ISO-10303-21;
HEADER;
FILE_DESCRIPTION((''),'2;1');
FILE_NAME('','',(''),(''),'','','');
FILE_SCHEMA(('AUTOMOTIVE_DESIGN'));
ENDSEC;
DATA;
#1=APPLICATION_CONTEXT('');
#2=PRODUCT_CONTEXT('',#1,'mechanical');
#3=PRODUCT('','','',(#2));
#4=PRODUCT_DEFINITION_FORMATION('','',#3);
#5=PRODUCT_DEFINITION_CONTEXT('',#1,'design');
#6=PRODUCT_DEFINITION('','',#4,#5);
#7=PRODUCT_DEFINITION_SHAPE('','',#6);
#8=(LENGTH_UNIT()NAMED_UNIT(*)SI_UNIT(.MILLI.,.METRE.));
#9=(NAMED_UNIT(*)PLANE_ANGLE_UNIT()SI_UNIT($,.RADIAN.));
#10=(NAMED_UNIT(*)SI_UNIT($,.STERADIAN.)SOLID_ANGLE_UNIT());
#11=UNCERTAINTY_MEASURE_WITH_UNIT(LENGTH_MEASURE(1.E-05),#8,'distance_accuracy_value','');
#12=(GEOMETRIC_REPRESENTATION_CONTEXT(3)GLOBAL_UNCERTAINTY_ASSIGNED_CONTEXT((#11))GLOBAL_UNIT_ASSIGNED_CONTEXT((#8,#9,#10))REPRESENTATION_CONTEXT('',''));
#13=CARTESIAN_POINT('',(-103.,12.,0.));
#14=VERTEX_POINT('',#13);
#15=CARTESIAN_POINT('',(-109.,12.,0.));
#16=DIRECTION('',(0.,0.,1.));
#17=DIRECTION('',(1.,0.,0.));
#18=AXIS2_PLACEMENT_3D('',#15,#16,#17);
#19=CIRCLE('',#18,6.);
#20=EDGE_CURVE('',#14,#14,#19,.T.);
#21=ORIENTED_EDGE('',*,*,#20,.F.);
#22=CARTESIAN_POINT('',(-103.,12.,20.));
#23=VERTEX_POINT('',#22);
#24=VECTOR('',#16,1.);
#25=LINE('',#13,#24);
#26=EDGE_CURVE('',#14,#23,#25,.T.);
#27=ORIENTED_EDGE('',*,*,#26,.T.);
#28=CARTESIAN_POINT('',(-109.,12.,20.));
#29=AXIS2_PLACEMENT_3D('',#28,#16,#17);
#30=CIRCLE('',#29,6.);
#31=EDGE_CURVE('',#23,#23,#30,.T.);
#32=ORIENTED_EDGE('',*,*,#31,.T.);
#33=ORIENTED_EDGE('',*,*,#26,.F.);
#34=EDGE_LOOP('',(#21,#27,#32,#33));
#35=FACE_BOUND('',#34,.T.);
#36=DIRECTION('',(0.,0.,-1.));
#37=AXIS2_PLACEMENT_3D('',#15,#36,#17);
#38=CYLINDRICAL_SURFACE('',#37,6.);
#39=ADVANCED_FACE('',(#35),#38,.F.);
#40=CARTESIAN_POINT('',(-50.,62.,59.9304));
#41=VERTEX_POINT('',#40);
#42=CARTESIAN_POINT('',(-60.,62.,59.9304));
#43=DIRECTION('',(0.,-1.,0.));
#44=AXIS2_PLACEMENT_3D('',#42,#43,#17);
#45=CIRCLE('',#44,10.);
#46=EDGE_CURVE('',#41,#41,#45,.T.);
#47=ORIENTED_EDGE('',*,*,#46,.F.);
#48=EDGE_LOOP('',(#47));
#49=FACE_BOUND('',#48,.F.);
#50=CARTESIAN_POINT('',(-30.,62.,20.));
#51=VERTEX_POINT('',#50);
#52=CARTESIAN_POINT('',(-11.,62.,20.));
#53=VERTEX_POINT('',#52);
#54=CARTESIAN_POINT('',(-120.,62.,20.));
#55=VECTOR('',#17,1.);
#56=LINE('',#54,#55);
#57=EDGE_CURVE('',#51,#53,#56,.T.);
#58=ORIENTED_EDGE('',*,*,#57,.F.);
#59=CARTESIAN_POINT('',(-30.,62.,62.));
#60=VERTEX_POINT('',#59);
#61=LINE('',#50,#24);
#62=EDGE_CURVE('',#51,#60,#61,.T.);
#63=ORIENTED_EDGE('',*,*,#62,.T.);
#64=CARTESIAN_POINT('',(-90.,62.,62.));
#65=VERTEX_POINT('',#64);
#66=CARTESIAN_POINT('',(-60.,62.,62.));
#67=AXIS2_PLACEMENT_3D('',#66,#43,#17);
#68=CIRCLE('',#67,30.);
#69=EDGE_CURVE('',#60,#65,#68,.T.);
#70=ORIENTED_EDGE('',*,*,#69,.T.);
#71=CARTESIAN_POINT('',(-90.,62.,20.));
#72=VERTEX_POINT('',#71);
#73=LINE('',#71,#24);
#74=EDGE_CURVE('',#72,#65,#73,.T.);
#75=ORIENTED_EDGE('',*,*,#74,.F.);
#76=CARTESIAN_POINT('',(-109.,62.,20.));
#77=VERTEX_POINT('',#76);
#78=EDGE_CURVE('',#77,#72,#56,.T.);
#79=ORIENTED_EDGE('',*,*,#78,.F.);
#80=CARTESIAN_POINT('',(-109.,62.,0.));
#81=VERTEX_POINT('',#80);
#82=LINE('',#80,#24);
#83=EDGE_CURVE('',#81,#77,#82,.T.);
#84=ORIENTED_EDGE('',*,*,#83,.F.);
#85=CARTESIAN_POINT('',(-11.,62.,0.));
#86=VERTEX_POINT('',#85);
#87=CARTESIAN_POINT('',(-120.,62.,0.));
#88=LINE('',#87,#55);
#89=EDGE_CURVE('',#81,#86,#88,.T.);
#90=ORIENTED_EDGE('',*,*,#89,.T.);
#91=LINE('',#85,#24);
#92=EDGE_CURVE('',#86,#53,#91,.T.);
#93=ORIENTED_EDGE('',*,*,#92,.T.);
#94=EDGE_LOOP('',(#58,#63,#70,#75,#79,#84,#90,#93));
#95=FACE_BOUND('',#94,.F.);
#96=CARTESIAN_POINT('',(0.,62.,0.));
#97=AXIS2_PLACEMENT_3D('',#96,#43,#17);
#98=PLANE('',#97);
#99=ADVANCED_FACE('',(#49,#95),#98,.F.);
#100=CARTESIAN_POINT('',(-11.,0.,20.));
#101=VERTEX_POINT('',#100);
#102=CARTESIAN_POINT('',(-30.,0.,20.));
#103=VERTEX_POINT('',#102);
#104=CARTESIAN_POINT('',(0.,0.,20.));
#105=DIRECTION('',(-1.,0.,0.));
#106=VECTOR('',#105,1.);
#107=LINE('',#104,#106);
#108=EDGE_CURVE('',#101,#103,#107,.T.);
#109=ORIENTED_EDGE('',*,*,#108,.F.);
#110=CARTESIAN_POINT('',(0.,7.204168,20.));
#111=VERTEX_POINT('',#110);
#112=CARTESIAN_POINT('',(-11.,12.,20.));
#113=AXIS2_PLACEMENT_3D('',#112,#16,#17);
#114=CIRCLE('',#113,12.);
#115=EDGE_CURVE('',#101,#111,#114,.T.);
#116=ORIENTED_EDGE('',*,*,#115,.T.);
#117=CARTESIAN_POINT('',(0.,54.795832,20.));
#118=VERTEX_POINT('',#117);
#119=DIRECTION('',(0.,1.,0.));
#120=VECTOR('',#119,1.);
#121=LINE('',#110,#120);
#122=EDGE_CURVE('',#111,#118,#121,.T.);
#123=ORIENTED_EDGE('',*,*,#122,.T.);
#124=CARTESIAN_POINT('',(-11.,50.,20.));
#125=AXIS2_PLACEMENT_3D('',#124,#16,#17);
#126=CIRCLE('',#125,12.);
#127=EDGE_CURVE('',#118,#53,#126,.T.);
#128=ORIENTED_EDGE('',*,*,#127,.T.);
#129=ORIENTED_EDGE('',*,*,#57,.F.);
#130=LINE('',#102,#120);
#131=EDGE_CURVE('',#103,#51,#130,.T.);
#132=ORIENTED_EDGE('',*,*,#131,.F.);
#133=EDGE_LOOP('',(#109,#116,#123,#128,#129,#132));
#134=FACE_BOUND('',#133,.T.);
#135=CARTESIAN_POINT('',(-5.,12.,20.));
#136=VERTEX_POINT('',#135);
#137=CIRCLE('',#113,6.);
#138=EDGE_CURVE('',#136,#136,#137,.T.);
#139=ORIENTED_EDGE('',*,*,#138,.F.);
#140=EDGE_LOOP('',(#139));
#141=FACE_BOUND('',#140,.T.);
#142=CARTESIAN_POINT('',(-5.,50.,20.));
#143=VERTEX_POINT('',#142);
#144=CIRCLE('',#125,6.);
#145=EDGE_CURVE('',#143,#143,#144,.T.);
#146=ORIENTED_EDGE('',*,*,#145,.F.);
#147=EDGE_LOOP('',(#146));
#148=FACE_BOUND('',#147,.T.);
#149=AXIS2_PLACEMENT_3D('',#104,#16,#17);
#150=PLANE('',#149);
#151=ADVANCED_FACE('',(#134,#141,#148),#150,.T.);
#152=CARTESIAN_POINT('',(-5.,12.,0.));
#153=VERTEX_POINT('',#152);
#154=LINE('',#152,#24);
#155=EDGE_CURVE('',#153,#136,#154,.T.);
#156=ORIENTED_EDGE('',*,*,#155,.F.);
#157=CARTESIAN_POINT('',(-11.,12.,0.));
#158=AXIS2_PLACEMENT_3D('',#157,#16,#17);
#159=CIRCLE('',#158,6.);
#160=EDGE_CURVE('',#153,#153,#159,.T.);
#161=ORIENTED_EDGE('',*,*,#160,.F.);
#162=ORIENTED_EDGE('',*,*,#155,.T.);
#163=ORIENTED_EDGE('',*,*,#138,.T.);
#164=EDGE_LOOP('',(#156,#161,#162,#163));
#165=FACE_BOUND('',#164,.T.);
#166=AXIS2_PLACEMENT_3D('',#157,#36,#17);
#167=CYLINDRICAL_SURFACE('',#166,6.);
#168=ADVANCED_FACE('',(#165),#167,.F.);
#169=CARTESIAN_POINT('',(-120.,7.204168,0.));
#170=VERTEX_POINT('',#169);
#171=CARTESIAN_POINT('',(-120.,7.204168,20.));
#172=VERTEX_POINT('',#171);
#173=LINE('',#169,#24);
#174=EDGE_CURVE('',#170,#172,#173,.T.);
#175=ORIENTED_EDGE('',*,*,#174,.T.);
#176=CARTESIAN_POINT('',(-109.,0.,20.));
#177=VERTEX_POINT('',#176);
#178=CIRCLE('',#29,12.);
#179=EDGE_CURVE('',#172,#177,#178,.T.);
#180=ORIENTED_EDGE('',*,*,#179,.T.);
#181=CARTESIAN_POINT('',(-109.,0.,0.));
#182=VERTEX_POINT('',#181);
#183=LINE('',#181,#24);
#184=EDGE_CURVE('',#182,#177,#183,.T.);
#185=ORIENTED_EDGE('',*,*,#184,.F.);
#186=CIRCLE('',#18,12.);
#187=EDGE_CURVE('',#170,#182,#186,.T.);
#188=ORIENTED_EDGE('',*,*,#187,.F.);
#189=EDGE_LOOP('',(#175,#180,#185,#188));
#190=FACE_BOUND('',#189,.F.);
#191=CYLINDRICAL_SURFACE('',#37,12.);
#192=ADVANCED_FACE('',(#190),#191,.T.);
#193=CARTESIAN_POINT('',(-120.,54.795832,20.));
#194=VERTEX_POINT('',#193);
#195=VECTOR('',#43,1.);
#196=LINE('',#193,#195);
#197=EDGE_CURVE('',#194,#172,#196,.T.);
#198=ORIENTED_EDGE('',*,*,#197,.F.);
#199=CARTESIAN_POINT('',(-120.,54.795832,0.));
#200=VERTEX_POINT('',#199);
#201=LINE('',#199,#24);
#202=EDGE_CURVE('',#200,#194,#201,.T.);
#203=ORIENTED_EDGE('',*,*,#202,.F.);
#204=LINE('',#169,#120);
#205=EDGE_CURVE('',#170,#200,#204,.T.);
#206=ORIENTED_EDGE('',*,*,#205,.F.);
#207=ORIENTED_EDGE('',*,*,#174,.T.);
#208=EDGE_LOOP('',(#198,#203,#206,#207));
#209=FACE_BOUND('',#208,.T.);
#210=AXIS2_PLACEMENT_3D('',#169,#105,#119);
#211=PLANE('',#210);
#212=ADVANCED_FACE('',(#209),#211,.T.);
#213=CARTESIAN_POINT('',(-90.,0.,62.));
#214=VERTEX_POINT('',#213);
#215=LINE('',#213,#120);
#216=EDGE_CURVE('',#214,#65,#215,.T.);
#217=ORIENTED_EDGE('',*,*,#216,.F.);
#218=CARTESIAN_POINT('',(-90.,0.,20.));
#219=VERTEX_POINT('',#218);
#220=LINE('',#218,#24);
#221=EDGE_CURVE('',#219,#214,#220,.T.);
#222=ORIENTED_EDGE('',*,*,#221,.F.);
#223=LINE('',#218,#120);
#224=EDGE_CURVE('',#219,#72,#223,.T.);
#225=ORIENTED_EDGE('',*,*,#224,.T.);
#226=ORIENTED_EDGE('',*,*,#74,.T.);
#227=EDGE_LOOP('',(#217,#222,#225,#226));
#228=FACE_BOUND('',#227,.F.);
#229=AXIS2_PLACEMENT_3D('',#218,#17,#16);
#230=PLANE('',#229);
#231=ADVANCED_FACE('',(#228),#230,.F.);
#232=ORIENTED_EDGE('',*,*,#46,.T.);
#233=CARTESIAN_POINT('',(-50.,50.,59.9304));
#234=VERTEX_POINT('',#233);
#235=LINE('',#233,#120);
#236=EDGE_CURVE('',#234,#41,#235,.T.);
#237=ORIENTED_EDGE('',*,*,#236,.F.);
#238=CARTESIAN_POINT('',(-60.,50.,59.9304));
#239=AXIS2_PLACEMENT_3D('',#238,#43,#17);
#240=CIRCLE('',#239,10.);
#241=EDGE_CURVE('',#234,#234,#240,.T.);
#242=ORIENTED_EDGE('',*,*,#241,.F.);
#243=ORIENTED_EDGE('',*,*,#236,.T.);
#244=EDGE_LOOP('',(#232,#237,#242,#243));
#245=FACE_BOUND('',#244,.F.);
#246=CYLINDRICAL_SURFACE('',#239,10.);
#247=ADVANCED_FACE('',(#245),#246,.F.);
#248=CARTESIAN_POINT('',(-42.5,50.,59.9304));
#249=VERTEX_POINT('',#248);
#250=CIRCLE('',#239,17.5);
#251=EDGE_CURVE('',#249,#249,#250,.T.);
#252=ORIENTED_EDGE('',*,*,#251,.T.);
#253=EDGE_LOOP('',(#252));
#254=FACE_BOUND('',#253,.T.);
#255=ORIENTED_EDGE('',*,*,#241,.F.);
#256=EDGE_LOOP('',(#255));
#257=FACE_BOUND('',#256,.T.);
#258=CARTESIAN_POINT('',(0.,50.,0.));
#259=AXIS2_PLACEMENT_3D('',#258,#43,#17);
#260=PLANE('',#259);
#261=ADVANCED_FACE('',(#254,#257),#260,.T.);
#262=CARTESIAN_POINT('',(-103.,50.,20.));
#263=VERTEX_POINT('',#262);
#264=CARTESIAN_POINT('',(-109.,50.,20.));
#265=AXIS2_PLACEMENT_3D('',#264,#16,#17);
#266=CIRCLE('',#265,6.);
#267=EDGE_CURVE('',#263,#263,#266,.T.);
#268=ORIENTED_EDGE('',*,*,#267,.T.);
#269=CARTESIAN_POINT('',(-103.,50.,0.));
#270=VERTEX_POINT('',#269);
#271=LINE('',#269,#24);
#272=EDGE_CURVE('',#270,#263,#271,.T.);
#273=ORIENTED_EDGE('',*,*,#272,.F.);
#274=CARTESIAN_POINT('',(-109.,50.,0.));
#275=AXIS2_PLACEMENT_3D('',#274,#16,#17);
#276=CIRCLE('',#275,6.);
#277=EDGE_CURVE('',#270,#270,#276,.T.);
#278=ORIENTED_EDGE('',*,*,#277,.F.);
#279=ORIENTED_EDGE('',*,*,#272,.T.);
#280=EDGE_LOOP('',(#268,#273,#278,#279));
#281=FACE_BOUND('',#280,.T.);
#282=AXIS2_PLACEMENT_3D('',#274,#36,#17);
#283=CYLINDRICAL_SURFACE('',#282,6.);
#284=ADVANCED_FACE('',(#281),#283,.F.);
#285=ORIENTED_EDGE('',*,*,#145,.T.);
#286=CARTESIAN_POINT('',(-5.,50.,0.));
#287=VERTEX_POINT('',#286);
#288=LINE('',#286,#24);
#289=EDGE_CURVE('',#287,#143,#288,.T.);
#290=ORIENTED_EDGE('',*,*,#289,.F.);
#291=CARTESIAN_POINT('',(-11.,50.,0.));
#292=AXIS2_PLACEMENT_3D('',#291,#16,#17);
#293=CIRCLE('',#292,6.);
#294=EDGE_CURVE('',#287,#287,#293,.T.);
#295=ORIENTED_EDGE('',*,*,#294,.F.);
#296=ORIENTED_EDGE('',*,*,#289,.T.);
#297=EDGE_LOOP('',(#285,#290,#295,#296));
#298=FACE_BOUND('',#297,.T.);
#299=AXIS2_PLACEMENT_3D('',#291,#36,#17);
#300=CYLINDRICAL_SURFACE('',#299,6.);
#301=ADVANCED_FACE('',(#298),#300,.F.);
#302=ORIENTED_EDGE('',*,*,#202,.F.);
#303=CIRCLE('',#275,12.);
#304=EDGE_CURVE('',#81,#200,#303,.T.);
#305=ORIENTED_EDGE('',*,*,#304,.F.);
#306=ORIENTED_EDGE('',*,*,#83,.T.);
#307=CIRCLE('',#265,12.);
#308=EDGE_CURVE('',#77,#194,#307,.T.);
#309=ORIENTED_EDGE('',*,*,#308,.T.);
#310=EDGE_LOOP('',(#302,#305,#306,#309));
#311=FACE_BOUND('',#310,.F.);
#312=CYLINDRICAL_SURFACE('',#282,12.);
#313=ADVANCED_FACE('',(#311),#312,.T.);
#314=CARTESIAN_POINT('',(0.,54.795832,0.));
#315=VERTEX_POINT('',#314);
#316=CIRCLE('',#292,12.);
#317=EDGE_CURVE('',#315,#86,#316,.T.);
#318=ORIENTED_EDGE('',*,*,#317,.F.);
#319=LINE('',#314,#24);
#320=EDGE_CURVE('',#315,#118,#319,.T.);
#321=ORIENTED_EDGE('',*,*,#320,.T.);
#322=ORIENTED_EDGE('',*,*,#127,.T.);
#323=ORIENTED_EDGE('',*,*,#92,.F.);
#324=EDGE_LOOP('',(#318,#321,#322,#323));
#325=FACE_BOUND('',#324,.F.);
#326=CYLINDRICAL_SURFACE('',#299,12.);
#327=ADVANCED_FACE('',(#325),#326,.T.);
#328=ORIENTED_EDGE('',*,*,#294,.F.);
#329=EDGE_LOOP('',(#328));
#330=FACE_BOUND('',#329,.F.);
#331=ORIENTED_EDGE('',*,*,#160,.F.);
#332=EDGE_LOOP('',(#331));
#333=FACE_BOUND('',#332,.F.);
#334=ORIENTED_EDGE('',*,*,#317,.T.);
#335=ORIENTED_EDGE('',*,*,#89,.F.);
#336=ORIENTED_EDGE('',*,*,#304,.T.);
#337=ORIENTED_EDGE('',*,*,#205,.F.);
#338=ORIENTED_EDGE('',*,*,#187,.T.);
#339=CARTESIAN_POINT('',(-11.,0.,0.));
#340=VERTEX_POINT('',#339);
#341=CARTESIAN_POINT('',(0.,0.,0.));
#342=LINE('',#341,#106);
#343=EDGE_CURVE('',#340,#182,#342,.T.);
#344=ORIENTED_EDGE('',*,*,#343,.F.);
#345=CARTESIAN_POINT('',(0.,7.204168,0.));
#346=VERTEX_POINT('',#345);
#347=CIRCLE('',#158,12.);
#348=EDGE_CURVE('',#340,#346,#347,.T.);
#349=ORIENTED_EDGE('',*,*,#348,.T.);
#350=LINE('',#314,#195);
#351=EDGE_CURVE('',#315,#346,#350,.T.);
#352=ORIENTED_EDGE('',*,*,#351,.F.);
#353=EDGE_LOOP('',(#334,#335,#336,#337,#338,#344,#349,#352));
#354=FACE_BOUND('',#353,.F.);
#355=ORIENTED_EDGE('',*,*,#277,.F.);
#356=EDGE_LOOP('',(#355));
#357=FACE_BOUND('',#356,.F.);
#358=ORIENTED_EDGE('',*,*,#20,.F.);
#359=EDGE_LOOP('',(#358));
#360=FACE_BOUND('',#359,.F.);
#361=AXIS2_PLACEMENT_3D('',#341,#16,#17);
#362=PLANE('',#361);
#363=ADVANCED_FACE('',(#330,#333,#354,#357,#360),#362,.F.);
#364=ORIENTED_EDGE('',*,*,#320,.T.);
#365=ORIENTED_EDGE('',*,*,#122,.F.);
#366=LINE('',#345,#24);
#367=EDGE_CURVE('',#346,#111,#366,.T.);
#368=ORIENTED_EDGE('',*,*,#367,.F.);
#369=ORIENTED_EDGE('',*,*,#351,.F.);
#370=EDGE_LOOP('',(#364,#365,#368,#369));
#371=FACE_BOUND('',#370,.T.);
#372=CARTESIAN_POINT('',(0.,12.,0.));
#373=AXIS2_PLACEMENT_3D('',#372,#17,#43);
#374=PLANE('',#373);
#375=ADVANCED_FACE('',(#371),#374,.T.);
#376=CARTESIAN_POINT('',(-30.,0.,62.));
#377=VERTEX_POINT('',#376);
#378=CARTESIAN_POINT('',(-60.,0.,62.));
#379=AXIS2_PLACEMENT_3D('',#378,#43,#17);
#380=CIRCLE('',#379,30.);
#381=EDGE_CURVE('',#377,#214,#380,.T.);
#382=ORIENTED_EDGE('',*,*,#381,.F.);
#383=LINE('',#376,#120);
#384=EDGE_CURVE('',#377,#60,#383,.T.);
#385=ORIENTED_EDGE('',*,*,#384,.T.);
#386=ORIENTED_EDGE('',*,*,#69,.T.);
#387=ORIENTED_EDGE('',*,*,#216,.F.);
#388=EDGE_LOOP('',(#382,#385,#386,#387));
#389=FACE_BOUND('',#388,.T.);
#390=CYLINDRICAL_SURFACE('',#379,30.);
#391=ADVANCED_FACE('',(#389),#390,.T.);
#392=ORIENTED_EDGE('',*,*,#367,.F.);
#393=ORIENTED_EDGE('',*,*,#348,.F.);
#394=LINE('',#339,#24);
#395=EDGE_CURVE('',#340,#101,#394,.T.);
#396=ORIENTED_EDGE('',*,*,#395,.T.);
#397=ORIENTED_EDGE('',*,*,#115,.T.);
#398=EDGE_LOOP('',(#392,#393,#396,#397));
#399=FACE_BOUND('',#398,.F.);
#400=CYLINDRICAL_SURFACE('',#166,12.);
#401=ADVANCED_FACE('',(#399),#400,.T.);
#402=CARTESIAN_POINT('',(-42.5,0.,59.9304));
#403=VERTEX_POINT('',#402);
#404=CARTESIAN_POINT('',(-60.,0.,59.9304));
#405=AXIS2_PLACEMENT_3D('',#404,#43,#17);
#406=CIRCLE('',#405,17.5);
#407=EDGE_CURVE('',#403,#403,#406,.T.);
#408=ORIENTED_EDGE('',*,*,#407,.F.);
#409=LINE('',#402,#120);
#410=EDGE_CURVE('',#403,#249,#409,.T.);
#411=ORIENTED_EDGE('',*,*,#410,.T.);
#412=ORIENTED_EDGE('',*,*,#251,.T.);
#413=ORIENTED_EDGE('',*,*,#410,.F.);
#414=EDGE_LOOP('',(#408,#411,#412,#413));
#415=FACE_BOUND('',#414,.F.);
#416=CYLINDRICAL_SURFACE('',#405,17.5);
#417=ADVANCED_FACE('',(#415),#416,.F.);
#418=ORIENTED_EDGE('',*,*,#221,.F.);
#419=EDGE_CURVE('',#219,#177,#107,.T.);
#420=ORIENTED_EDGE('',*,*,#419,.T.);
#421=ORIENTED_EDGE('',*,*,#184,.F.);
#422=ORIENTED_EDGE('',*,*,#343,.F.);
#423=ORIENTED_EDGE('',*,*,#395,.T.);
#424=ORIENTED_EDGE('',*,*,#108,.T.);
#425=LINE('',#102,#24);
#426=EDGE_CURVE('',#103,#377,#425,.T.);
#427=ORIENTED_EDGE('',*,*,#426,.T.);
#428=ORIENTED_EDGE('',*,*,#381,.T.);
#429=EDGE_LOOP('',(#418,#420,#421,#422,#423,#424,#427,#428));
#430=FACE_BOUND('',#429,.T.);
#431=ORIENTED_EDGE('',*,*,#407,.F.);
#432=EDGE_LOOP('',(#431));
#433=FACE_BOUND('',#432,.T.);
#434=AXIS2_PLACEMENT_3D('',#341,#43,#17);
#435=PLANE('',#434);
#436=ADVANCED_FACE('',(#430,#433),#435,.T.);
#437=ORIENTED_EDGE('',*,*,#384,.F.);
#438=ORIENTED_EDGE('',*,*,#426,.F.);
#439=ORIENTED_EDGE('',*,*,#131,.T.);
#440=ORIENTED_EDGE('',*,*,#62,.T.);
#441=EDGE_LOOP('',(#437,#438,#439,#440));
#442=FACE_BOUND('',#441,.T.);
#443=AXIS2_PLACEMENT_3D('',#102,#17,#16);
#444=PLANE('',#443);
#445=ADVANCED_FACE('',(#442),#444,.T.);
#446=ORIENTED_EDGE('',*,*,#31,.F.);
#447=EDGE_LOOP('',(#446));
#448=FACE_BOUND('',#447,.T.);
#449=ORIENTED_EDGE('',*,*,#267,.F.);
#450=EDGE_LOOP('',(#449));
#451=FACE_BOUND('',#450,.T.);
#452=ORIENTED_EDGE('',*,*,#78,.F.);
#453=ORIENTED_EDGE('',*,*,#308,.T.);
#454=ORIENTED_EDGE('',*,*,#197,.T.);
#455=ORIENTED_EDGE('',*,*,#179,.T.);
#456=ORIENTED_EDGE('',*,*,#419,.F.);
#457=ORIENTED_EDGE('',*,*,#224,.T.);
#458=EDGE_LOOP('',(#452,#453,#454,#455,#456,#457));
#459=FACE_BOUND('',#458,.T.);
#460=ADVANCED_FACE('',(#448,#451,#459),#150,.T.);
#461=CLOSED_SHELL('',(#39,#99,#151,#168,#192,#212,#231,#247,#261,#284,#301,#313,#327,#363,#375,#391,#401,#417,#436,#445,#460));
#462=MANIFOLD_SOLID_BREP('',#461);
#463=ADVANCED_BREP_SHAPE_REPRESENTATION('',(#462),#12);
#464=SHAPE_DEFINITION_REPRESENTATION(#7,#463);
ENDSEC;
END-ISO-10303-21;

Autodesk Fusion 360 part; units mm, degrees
sketch "Sketch1" plane through (0, 0, 0) normal (0, 0, 1) x (1, 0, 0)
  line L0 (0, 0) -> (-120, 0)
  line L1 (-120, 0) -> (-120, 62)
  line L2 (-120, 62) -> (0, 62)
  line L3 (0, 62) -> (0, 0)
  line L4 (-120, 0) -> (-109, 0)
  line L5 (-120, 62) -> (-109, 62)
  line L6 (0, 62) -> (-11, 62)
  line L7 (0, 0) -> (-11, 0)
  line L8 (-120, 62) -> (-120, 50)
  line L9 (-120, 0) -> (-120, 12)
  line L10 (0, 62) -> (0, 50)
  line L11 (0, 0) -> (0, 12)
  circle A0 centre (-109, 12) radius 6
  circle A1 centre (-109, 12) radius 12
  circle A2 centre (-109, 50) radius 6
  circle A3 centre (-109, 50) radius 12
  circle A4 centre (-11, 50) radius 6
  line L12 (-11, 50) -> (-11, 50.4247)
  circle A5 centre (-11, 50) radius 12
  circle A6 centre (-11, 12) radius 6
  circle A7 centre (-11, 12) radius 12
  dimension "d1" = 120
  dimension "d2" = 62
  dimension "d3" = 11
  dimension "d4" = 11
  dimension "d5" = 11
  dimension "d6" = 11
  dimension "d7" = 12
  dimension "d8" = 12
  dimension "d9" = 12
  dimension "d10" = 12
  dimension "d11" = 12
  dimension "d12" = 24
  dimension "d13" = 12
  dimension "d14" = 24
  dimension "d15" = 12
  dimension "d16" = 24
  dimension "d17" = 12
  dimension "d18" = 24
extrude "Extrude1" add sketch "Sketch1" along normal blind 20 contours L0 L1 L2 L3 A1 A3 A5 A7 | L3 L11 A7 | L1 L9 A1 | L3 L10 A5 | L1 L8 A3 picked at (-1.7555, 9.8119) picked at (-118.2445, 14.1881) picked at (-1.7555, 52.1881) picked at (-118.2445, 47.8119)
sketch "Sketch2" plane through (0, 0, 0) normal (0, -1, 0) x (1, 0, 0)
  line L0 (-109, 0) -> (-11, 0)
  line L1 (-11, 0) -> (-11, 20)
  line L2 (-11, 20) -> (-109, 20)
  line L3 (-109, 20) -> (-109, 0)
  line L4 (-109, 20) -> (-11, 20)
  line L5 (-60, 20) -> (-90, 20)
  line L6 (-60, 20) -> (-30, 20)
  line L7 (-90, 20) -> (-90, 62)
  line L8 (-30, 20) -> (-30, 62)
  line L9 (-90, 62) -> (-30, 62)
  dimension "d21" = 30
  dimension "d22" = 30
  dimension "d23" = 42
  dimension "d24" = 42
extrude "Extrude2" add sketch "Sketch2" against normal blind 62 contours L2 L4 L5 L6 L7 L8 L9
sketch "Sketch3" plane through (0, 0, 0) normal (0, -1, 0) x (1, 0, 0)
  line L0 (-109, 0) -> (-11, 0)
  line L1 (-11, 0) -> (-11, 20)
  line L2 (-11, 20) -> (-30, 20)
  line L3 (-30, 20) -> (-30, 62)
  line L4 (-30, 62) -> (-90, 62)
  line L5 (-90, 62) -> (-90, 20)
  line L6 (-90, 20) -> (-109, 20)
  line L7 (-109, 20) -> (-109, 0)
  circle A0 centre (-60, 62) radius 30
  line L8 (-90, 62) -> (-30, 62)
extrude "Extrude3" add sketch "Sketch3" against normal blind 62 contours L4 A0 L8 picked at (-62.2252, 71.7493)
sketch "Sketch4" plane through (0, 0, 0) normal (0, -1, 0) x (1, 0, 0)
  line L0 (-109, 0) -> (-11, 0)
  line L1 (-11, 0) -> (-11, 20)
  line L2 (-11, 20) -> (-30, 20)
  line L3 (-30, 20) -> (-30, 62)
  arc A0 (-30, 62) -> (-90, 62) centre (-60, 62) ccw
  line L4 (-90, 62) -> (-90, 20)
  line L5 (-90, 20) -> (-109, 20)
  line L6 (-109, 20) -> (-109, 0)
  circle A1 centre (-60, 59.9304) radius 17.5
  dimension "d29" = 35
extrude "Extrude4" cut sketch "Sketch4" against normal blind 50 contours A1
sketch "Sketch5" plane through (0, 50, 0) normal (0, -1, 0) x (1, 0, 0)
  circle A0 centre (-60, 59.9304) radius 17.5
  circle A1 centre (-60, 59.9304) radius 10
  dimension "d32" = 20
extrude "Extrude5" cut sketch "Sketch5" against normal blind 35 contours A1
sketch "Sketch6" plane through (0, 0, 0) normal (0, 0, -1) x (1, 0, 0)
  circle A0 centre (-109, -12) radius 6
  circle A1 centre (-11, -12) radius 6
  circle A2 centre (-11, -50) radius 6
  circle A3 centre (-109, -50) radius 6
  arc A4 (-11, -62) -> (0, -54.7958) centre (-11, -50) ccw
  line L0 (0, -54.7958) -> (0, -7.2042)
  arc A5 (0, -7.2042) -> (-11, 0) centre (-11, -12) ccw
  line L1 (-11, 0) -> (-109, 0)
  arc A6 (-109, 0) -> (-120, -7.2042) centre (-109, -12) ccw
  line L2 (-120, -7.2042) -> (-120, -54.7958)
  arc A7 (-120, -54.7958) -> (-109, -62) centre (-109, -50) ccw
  line L3 (-109, -62) -> (-11, -62)
